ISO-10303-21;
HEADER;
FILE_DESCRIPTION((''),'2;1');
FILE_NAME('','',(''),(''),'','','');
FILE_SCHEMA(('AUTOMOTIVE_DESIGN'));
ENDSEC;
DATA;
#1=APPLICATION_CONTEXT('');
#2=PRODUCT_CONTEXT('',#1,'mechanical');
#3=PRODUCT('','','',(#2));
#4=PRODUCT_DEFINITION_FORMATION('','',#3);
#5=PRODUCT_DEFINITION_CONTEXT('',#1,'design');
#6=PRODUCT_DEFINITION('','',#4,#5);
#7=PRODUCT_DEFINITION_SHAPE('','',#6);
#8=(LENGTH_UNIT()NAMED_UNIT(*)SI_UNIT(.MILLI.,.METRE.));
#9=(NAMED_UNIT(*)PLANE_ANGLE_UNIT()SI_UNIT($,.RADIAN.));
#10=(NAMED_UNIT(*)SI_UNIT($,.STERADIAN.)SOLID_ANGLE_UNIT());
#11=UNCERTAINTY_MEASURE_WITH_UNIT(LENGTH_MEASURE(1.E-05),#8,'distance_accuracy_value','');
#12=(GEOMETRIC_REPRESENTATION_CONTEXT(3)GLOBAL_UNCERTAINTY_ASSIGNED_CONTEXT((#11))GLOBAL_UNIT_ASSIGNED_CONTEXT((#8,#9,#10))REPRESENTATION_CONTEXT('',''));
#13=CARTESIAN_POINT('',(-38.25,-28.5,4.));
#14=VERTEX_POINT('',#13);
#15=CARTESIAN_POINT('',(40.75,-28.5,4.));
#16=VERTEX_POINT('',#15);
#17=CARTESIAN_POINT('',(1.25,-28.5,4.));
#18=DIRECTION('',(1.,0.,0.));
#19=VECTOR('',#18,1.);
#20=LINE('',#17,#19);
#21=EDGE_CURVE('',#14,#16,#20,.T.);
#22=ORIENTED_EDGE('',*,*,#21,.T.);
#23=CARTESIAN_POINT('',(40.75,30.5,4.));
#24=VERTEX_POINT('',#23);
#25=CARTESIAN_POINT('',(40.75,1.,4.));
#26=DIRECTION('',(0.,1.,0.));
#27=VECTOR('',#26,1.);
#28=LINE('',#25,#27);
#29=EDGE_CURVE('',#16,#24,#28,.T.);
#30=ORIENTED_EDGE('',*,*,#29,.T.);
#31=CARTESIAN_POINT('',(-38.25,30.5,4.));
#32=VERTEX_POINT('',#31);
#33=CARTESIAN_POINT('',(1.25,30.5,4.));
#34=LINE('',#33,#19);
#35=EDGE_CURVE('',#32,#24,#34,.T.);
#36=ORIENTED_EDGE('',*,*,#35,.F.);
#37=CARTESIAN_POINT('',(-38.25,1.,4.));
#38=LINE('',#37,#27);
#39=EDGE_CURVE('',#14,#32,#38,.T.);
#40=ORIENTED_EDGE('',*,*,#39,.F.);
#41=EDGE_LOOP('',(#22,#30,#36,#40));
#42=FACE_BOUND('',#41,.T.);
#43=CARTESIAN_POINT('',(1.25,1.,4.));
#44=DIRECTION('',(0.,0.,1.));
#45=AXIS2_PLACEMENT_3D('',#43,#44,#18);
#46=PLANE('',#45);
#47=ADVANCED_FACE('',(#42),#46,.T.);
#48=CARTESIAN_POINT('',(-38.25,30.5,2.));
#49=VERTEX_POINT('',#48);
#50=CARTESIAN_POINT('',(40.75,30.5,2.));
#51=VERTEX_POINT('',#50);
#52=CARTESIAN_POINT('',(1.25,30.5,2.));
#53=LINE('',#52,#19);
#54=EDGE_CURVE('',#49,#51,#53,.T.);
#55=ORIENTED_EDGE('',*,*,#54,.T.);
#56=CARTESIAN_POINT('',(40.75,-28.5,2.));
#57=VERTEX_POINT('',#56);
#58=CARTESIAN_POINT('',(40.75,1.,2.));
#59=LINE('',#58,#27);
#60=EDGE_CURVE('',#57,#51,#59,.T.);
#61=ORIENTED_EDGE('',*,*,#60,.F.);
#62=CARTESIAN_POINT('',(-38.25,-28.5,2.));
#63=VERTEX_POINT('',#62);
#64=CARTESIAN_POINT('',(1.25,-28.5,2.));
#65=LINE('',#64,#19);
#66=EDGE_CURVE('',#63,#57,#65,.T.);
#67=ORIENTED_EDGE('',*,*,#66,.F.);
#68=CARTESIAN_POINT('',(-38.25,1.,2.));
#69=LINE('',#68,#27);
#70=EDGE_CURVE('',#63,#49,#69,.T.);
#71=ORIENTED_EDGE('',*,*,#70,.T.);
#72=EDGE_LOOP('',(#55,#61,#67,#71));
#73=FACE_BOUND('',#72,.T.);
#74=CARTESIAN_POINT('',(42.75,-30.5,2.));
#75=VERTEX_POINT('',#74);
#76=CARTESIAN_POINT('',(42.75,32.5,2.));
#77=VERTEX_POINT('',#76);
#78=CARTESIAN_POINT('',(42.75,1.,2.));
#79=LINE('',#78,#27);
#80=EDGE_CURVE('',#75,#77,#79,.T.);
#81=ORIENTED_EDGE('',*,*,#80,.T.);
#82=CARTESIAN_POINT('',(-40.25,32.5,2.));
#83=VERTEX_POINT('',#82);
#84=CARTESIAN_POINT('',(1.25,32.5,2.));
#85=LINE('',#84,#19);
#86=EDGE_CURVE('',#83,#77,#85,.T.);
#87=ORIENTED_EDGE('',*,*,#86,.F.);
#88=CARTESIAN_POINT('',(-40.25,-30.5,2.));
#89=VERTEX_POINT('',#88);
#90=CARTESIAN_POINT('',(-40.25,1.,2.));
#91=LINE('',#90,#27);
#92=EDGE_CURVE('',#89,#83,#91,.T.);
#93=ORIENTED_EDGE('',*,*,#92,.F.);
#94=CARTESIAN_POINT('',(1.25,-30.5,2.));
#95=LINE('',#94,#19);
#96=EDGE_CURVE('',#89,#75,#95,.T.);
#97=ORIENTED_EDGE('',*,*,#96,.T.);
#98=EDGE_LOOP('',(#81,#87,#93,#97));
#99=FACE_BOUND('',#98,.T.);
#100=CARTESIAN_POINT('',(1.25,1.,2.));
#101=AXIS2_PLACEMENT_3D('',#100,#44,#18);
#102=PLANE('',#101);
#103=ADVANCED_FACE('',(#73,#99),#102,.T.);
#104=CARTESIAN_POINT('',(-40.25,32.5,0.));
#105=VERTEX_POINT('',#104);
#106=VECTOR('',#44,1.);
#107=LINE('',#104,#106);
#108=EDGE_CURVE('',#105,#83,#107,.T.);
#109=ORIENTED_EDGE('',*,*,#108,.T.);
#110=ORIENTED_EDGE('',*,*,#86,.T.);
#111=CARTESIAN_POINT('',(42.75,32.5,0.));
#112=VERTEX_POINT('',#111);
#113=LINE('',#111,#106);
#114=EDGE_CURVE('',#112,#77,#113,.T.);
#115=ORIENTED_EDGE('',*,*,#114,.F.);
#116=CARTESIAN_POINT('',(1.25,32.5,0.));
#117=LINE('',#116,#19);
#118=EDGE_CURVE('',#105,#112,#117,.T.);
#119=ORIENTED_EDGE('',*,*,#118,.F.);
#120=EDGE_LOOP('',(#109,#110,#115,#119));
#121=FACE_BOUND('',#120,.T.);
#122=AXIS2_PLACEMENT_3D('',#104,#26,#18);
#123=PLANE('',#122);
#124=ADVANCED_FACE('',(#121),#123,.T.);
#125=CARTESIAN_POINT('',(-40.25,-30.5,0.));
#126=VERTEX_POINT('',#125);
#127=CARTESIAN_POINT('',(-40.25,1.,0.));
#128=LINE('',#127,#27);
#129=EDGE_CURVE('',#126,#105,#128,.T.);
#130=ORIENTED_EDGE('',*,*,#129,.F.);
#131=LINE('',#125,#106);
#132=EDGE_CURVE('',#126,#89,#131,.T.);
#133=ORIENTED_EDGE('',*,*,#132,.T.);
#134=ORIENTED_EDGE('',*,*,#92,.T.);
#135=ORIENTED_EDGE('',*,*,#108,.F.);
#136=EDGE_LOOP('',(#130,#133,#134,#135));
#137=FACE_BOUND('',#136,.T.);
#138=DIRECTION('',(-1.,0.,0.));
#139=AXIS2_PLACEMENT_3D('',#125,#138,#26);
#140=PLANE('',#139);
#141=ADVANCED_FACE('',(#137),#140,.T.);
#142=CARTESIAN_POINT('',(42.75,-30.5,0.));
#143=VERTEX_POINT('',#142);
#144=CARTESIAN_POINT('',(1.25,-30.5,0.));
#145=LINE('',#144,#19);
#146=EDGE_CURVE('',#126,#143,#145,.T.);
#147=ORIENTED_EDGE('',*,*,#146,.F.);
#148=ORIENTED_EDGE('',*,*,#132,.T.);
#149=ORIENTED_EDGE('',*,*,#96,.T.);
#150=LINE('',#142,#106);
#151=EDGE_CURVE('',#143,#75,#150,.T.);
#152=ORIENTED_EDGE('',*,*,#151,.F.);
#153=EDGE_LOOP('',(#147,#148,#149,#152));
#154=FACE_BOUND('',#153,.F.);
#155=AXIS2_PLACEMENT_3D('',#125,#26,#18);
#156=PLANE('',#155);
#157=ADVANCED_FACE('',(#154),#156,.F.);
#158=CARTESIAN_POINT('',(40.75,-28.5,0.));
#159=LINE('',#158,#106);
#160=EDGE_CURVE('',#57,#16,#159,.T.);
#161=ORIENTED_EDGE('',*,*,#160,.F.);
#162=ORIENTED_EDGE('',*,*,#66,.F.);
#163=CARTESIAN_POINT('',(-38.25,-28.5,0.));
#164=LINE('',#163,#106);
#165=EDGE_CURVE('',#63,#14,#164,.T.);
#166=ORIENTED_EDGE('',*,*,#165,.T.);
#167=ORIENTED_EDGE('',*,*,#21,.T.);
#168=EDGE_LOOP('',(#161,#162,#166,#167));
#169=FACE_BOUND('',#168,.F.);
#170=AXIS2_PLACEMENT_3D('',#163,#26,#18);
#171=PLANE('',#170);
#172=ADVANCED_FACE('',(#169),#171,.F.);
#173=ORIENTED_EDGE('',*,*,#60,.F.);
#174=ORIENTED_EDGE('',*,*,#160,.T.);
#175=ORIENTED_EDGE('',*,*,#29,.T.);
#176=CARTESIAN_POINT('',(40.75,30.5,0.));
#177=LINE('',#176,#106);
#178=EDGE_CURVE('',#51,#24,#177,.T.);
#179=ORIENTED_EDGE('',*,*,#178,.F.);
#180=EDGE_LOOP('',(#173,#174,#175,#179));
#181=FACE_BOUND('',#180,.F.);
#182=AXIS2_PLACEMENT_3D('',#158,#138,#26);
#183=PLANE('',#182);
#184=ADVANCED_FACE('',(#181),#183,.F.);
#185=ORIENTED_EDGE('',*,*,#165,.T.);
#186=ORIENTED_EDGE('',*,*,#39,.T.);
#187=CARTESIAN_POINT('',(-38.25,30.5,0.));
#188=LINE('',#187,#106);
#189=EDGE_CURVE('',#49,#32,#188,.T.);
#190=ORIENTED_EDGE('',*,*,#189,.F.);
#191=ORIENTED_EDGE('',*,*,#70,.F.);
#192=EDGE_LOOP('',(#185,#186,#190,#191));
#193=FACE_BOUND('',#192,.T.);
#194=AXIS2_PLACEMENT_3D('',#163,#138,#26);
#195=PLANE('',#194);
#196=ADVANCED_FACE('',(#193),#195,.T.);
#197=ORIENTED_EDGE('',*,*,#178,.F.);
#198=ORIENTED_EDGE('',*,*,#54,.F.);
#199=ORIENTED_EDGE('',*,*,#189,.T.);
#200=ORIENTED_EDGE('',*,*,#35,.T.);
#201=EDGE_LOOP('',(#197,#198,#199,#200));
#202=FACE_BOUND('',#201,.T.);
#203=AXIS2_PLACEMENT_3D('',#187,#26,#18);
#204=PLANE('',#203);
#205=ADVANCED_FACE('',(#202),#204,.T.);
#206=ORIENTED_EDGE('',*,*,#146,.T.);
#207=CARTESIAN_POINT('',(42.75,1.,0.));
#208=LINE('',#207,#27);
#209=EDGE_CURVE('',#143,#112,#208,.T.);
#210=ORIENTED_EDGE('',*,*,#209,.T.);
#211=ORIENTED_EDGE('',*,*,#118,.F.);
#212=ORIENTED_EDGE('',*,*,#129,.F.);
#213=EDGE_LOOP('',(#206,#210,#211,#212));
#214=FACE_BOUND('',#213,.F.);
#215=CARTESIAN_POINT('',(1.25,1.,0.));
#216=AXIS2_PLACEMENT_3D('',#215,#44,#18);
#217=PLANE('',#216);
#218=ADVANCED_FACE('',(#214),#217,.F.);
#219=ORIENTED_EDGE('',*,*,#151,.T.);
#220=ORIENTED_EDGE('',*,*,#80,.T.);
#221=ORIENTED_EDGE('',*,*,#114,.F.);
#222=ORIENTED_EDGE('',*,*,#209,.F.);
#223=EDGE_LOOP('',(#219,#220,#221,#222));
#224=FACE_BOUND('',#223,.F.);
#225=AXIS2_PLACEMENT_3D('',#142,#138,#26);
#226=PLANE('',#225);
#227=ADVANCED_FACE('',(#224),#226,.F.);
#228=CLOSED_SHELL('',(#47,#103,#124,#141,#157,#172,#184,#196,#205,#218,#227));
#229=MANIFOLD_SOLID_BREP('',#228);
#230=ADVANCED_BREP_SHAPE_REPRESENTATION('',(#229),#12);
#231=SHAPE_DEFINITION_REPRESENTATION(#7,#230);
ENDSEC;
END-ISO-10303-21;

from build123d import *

# Parameters (mm, degrees)
F0_W     = 79
F0_H     = 59
F0_W_2   = 75
F0_H_2   = 55
F1_DEPTH = 4
F0_W_3   = 83
F0_H_3   = 63
F2_DEPTH = 2


with BuildPart() as f1:
    # F0 (on Top) → F1 (new body)
    with BuildSketch(Plane.XY):
        with Locations((1.25, 1)):
            Rectangle(F0_W, F0_H)
        with Locations((1.25, 1)):
            Rectangle(F0_W_2, F0_H_2, mode=Mode.SUBTRACT)
        with Locations((1.25, 1)):
            Rectangle(F0_W_2, F0_H_2)
    extrude(amount=F1_DEPTH)

    # F0 (on Top) → F2 (join)
    with BuildSketch(Plane.XY):
        with Locations((1.25, 1)):
            Rectangle(F0_W_3, F0_H_3)
        with Locations((1.25, 1)):
            Rectangle(F0_W, F0_H, mode=Mode.SUBTRACT)
    extrude(amount=F2_DEPTH)


solid = f1.part
